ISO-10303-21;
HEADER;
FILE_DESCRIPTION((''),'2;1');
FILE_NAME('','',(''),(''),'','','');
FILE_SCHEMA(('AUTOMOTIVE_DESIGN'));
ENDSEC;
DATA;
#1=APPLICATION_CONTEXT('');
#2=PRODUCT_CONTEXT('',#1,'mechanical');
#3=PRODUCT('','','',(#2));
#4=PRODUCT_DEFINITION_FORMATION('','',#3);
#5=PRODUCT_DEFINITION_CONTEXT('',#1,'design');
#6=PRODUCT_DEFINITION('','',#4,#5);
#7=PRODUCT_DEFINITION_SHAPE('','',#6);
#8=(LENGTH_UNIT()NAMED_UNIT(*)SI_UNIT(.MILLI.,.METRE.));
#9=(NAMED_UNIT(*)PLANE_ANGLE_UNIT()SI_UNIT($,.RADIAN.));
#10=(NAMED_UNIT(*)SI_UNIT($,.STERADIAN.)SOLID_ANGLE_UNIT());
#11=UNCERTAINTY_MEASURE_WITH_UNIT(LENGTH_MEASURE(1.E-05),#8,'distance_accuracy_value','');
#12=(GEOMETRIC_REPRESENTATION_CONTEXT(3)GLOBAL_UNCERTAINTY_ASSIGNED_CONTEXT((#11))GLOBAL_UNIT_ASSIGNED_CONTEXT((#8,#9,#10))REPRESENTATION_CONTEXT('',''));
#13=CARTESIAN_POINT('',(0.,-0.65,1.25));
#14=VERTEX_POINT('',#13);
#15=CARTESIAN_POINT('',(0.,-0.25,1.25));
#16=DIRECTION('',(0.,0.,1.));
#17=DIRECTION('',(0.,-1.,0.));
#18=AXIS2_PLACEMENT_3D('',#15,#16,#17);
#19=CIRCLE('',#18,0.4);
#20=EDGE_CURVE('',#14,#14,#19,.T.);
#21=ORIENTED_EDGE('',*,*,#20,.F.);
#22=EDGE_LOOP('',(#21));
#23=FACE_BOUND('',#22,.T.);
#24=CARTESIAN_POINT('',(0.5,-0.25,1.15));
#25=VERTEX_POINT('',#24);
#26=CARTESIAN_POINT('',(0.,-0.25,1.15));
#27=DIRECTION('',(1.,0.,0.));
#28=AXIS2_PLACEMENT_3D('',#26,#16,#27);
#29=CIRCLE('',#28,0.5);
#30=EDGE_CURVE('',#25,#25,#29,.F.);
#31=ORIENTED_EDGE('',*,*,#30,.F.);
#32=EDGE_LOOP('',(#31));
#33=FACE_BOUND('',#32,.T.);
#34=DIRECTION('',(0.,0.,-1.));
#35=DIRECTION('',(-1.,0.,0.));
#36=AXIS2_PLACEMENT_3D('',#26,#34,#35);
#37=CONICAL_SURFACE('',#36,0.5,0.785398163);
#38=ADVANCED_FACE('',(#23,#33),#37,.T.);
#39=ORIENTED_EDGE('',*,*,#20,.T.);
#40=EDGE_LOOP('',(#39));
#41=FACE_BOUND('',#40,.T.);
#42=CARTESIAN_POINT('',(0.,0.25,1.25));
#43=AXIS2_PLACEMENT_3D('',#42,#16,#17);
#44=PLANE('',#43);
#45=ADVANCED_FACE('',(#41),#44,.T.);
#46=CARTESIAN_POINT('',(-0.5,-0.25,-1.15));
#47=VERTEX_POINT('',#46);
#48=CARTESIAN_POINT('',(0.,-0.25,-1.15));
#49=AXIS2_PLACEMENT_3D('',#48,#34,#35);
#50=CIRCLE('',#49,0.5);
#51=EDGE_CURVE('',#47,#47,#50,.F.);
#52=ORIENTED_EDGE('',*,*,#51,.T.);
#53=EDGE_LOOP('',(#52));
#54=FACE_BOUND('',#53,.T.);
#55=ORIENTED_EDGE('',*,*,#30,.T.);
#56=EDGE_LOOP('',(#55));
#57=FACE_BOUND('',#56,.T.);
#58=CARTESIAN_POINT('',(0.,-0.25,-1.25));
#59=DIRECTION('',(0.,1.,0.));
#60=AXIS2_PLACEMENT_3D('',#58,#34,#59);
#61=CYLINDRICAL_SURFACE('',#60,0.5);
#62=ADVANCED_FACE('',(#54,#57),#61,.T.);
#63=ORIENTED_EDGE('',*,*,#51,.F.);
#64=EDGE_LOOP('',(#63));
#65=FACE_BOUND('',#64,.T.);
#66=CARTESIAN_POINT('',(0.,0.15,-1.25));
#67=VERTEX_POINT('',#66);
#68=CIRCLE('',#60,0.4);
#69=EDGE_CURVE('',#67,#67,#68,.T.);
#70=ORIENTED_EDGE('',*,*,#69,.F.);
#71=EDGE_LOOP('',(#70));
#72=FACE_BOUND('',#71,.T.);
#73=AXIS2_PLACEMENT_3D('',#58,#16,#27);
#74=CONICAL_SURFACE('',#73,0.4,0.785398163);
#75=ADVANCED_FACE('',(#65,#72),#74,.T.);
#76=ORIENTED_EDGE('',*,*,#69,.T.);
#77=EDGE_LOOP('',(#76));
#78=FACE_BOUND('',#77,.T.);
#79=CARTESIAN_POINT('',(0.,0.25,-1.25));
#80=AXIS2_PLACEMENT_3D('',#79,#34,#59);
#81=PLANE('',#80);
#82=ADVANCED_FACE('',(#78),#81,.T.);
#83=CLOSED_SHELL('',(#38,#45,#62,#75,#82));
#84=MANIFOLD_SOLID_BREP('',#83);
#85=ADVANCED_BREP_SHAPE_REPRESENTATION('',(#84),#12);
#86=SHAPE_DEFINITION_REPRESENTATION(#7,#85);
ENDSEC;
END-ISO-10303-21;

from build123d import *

# Parameters (mm, degrees)
ESQUISSE1_W     = 2.5
ESQUISSE1_H     = 0.5
CHANFREIN1_SIZE = 0.1


with BuildPart() as part:
    # Esquisse1 → Révolution1 (revolve)
    with BuildSketch(Plane(origin=(0, 0, 0), x_dir=(0, 0, -1), z_dir=(1, 0, 0))):
        Rectangle(ESQUISSE1_W, ESQUISSE1_H)
    revolve(axis=Axis((0, -0.25, -1.25), (0, 0, 1)))

    # Chanfrein1
    chanfrein1_edges = [part.edges().sort_by_distance(p)[0] for p in [
        (0, -0.75, -1.25),
        (0, -0.75, 1.25),
    ]]
    chamfer(chanfrein1_edges, length=CHANFREIN1_SIZE)


solid = part.part
